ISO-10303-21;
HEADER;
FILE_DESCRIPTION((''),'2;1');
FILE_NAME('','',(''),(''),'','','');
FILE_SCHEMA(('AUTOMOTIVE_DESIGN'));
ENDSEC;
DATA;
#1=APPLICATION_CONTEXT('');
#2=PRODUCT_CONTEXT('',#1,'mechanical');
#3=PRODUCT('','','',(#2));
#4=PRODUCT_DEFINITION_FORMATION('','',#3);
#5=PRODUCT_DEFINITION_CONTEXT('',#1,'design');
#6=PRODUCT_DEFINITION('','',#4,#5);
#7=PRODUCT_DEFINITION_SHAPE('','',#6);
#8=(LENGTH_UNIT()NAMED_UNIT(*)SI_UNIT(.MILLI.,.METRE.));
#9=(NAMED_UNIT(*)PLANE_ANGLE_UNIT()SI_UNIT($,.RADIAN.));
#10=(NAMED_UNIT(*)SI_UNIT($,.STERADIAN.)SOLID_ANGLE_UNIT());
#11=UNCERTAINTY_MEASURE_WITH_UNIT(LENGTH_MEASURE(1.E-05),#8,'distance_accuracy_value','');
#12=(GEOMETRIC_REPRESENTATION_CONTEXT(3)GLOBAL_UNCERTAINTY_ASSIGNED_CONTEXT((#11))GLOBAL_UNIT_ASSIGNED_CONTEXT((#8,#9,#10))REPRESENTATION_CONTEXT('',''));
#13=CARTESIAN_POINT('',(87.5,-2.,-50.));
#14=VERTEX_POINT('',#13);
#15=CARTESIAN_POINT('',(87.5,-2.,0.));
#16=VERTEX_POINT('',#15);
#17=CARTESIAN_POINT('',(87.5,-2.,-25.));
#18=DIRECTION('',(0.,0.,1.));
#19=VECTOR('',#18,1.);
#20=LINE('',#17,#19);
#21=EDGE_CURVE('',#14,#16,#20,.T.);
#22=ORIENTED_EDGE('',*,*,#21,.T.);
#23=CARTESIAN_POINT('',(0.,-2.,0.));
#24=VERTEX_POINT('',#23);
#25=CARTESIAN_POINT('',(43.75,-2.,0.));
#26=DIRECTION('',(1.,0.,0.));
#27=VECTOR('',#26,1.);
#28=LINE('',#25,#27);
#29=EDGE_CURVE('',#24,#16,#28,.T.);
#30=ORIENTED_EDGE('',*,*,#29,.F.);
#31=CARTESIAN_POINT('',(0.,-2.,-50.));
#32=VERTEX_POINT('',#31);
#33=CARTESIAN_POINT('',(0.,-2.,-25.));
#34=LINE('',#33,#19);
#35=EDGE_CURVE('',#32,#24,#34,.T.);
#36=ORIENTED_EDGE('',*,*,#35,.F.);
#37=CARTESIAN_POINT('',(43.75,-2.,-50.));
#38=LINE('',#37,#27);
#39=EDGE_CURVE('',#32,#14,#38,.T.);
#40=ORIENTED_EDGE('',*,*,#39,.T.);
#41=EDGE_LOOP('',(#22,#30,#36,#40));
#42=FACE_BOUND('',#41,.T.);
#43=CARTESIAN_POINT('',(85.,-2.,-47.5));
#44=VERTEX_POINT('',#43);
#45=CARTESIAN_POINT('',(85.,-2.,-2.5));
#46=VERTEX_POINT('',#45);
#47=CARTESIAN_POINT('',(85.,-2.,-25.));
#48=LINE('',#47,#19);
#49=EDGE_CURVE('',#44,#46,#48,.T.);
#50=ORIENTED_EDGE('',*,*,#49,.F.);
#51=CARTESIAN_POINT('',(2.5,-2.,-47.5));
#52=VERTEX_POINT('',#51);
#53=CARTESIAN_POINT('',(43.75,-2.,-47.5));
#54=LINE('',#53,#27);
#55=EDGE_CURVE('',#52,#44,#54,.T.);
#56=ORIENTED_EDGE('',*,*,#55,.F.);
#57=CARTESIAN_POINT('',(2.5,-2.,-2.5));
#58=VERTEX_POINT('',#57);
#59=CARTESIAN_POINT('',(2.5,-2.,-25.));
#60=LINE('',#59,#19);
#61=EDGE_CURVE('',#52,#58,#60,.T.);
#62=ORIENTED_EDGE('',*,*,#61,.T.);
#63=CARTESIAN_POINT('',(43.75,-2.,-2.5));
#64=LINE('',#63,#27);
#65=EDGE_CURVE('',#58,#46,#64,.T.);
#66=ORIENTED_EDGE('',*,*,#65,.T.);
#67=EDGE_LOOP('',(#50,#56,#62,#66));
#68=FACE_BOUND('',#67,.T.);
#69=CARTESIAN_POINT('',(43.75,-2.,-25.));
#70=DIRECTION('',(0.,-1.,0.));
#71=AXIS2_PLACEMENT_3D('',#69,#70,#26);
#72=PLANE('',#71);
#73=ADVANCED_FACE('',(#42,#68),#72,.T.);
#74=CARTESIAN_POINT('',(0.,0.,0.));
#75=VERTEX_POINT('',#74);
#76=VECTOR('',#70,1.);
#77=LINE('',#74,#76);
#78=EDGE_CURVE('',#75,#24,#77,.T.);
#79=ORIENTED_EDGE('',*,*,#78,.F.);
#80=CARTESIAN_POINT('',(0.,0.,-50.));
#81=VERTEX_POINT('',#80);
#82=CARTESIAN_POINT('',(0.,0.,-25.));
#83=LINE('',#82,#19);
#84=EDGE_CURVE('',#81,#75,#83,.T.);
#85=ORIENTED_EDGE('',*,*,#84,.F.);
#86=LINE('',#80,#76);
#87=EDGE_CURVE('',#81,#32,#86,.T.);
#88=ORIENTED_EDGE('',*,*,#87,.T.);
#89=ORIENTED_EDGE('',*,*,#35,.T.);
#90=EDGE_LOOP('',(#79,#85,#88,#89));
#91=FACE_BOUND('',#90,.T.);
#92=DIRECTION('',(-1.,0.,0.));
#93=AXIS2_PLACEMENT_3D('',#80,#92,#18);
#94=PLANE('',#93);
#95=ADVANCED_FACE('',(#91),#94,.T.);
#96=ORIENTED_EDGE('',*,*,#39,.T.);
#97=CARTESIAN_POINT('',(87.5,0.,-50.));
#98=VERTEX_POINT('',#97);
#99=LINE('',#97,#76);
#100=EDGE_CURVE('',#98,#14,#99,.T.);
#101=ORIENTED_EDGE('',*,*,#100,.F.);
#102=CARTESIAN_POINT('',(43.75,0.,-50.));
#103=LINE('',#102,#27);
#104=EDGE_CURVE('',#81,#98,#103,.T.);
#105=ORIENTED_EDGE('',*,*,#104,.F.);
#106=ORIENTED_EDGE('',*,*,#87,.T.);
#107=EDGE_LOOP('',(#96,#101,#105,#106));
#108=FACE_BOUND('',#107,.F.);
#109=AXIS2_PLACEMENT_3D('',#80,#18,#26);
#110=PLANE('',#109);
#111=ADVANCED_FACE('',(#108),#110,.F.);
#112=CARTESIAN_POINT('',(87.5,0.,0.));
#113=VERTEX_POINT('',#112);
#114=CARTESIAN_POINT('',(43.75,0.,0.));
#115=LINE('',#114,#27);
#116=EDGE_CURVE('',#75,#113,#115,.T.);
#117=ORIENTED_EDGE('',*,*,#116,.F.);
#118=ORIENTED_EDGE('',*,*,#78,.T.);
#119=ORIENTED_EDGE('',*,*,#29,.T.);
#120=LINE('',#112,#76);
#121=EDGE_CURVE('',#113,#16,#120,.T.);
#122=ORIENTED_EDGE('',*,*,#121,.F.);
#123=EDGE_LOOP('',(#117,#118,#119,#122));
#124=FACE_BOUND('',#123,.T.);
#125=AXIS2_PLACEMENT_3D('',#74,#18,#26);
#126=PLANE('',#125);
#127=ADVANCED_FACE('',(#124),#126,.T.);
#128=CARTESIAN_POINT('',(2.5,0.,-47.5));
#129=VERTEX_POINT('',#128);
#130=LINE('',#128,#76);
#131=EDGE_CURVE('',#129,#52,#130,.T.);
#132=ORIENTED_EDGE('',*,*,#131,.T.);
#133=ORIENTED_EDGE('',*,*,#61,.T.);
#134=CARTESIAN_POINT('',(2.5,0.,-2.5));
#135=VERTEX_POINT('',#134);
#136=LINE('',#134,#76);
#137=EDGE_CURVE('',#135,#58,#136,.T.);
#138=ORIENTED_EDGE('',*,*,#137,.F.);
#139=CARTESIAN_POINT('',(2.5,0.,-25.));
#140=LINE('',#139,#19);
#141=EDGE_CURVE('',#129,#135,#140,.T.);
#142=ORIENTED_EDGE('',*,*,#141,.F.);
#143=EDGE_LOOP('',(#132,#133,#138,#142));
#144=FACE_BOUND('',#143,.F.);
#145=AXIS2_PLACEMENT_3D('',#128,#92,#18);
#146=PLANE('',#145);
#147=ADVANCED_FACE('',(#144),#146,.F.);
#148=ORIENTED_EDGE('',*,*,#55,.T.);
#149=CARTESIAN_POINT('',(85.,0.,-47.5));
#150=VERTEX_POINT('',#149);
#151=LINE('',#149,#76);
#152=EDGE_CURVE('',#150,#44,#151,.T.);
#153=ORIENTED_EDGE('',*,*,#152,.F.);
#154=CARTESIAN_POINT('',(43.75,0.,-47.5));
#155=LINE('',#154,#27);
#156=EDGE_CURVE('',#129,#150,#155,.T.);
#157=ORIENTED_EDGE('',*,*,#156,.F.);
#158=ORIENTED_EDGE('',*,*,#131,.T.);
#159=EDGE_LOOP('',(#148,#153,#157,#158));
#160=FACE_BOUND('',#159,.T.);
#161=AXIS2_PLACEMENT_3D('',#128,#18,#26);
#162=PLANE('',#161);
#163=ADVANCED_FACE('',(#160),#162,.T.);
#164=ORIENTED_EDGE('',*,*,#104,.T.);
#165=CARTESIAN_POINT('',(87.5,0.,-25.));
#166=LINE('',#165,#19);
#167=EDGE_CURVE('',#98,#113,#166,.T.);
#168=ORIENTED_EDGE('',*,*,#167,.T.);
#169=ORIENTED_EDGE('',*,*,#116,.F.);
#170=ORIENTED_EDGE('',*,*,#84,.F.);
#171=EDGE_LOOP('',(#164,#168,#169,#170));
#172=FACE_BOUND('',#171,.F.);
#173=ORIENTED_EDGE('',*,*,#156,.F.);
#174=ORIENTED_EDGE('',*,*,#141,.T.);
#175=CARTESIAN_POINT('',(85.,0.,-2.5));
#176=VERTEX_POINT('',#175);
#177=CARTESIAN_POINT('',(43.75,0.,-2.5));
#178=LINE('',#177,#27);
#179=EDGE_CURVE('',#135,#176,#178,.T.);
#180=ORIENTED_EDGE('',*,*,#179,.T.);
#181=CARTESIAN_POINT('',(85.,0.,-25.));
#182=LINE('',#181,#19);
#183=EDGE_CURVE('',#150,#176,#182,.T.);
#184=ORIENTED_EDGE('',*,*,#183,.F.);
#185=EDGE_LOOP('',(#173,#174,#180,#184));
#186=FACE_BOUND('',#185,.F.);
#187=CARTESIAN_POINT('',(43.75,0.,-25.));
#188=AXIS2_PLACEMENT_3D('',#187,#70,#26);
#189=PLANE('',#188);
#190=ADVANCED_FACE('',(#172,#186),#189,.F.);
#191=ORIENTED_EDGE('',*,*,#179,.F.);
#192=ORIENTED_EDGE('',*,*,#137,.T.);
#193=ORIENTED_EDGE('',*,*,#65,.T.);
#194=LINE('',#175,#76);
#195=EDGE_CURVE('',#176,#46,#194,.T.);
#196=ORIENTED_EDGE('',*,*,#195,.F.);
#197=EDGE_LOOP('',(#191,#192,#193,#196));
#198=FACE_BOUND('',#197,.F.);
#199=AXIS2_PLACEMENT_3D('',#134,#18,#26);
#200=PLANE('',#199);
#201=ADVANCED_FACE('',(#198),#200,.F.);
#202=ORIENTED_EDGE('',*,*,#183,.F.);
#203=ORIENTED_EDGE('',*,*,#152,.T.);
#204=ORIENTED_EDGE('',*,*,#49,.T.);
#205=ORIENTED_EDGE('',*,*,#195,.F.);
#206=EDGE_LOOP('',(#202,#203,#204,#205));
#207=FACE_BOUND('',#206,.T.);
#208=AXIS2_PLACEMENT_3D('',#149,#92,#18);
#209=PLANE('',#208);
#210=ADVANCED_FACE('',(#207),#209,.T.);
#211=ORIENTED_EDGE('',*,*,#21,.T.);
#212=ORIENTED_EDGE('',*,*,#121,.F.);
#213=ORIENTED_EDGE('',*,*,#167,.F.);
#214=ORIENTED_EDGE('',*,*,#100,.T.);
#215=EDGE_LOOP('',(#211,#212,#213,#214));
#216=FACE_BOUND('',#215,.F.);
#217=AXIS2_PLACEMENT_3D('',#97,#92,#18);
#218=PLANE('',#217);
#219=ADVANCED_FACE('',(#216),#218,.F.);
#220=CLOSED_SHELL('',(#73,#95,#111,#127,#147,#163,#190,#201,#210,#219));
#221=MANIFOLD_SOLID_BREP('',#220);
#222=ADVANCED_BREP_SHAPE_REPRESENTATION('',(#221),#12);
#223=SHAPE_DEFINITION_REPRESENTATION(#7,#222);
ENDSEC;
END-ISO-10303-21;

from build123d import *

# Parameters (mm, degrees)
F0_W     = 1750
F0_H     = 1000
F0_W_2   = 1650
F0_H_2   = 900
F1_DEPTH = 40
F2_SCALE = 0.05


with BuildPart() as f1:
    # F0 (on Front) → F1 (new body)
    with BuildSketch(Plane.XZ):
        with Locations((875, -500)):
            Rectangle(F0_W, F0_H)
        with Locations((875, -500)):
            Rectangle(F0_W_2, F0_H_2, mode=Mode.SUBTRACT)
    extrude(amount=F1_DEPTH)


with BuildPart() as f1_1:
    # F2: moved
    add(f1.part.scale(F2_SCALE))


solid = f1_1.part
